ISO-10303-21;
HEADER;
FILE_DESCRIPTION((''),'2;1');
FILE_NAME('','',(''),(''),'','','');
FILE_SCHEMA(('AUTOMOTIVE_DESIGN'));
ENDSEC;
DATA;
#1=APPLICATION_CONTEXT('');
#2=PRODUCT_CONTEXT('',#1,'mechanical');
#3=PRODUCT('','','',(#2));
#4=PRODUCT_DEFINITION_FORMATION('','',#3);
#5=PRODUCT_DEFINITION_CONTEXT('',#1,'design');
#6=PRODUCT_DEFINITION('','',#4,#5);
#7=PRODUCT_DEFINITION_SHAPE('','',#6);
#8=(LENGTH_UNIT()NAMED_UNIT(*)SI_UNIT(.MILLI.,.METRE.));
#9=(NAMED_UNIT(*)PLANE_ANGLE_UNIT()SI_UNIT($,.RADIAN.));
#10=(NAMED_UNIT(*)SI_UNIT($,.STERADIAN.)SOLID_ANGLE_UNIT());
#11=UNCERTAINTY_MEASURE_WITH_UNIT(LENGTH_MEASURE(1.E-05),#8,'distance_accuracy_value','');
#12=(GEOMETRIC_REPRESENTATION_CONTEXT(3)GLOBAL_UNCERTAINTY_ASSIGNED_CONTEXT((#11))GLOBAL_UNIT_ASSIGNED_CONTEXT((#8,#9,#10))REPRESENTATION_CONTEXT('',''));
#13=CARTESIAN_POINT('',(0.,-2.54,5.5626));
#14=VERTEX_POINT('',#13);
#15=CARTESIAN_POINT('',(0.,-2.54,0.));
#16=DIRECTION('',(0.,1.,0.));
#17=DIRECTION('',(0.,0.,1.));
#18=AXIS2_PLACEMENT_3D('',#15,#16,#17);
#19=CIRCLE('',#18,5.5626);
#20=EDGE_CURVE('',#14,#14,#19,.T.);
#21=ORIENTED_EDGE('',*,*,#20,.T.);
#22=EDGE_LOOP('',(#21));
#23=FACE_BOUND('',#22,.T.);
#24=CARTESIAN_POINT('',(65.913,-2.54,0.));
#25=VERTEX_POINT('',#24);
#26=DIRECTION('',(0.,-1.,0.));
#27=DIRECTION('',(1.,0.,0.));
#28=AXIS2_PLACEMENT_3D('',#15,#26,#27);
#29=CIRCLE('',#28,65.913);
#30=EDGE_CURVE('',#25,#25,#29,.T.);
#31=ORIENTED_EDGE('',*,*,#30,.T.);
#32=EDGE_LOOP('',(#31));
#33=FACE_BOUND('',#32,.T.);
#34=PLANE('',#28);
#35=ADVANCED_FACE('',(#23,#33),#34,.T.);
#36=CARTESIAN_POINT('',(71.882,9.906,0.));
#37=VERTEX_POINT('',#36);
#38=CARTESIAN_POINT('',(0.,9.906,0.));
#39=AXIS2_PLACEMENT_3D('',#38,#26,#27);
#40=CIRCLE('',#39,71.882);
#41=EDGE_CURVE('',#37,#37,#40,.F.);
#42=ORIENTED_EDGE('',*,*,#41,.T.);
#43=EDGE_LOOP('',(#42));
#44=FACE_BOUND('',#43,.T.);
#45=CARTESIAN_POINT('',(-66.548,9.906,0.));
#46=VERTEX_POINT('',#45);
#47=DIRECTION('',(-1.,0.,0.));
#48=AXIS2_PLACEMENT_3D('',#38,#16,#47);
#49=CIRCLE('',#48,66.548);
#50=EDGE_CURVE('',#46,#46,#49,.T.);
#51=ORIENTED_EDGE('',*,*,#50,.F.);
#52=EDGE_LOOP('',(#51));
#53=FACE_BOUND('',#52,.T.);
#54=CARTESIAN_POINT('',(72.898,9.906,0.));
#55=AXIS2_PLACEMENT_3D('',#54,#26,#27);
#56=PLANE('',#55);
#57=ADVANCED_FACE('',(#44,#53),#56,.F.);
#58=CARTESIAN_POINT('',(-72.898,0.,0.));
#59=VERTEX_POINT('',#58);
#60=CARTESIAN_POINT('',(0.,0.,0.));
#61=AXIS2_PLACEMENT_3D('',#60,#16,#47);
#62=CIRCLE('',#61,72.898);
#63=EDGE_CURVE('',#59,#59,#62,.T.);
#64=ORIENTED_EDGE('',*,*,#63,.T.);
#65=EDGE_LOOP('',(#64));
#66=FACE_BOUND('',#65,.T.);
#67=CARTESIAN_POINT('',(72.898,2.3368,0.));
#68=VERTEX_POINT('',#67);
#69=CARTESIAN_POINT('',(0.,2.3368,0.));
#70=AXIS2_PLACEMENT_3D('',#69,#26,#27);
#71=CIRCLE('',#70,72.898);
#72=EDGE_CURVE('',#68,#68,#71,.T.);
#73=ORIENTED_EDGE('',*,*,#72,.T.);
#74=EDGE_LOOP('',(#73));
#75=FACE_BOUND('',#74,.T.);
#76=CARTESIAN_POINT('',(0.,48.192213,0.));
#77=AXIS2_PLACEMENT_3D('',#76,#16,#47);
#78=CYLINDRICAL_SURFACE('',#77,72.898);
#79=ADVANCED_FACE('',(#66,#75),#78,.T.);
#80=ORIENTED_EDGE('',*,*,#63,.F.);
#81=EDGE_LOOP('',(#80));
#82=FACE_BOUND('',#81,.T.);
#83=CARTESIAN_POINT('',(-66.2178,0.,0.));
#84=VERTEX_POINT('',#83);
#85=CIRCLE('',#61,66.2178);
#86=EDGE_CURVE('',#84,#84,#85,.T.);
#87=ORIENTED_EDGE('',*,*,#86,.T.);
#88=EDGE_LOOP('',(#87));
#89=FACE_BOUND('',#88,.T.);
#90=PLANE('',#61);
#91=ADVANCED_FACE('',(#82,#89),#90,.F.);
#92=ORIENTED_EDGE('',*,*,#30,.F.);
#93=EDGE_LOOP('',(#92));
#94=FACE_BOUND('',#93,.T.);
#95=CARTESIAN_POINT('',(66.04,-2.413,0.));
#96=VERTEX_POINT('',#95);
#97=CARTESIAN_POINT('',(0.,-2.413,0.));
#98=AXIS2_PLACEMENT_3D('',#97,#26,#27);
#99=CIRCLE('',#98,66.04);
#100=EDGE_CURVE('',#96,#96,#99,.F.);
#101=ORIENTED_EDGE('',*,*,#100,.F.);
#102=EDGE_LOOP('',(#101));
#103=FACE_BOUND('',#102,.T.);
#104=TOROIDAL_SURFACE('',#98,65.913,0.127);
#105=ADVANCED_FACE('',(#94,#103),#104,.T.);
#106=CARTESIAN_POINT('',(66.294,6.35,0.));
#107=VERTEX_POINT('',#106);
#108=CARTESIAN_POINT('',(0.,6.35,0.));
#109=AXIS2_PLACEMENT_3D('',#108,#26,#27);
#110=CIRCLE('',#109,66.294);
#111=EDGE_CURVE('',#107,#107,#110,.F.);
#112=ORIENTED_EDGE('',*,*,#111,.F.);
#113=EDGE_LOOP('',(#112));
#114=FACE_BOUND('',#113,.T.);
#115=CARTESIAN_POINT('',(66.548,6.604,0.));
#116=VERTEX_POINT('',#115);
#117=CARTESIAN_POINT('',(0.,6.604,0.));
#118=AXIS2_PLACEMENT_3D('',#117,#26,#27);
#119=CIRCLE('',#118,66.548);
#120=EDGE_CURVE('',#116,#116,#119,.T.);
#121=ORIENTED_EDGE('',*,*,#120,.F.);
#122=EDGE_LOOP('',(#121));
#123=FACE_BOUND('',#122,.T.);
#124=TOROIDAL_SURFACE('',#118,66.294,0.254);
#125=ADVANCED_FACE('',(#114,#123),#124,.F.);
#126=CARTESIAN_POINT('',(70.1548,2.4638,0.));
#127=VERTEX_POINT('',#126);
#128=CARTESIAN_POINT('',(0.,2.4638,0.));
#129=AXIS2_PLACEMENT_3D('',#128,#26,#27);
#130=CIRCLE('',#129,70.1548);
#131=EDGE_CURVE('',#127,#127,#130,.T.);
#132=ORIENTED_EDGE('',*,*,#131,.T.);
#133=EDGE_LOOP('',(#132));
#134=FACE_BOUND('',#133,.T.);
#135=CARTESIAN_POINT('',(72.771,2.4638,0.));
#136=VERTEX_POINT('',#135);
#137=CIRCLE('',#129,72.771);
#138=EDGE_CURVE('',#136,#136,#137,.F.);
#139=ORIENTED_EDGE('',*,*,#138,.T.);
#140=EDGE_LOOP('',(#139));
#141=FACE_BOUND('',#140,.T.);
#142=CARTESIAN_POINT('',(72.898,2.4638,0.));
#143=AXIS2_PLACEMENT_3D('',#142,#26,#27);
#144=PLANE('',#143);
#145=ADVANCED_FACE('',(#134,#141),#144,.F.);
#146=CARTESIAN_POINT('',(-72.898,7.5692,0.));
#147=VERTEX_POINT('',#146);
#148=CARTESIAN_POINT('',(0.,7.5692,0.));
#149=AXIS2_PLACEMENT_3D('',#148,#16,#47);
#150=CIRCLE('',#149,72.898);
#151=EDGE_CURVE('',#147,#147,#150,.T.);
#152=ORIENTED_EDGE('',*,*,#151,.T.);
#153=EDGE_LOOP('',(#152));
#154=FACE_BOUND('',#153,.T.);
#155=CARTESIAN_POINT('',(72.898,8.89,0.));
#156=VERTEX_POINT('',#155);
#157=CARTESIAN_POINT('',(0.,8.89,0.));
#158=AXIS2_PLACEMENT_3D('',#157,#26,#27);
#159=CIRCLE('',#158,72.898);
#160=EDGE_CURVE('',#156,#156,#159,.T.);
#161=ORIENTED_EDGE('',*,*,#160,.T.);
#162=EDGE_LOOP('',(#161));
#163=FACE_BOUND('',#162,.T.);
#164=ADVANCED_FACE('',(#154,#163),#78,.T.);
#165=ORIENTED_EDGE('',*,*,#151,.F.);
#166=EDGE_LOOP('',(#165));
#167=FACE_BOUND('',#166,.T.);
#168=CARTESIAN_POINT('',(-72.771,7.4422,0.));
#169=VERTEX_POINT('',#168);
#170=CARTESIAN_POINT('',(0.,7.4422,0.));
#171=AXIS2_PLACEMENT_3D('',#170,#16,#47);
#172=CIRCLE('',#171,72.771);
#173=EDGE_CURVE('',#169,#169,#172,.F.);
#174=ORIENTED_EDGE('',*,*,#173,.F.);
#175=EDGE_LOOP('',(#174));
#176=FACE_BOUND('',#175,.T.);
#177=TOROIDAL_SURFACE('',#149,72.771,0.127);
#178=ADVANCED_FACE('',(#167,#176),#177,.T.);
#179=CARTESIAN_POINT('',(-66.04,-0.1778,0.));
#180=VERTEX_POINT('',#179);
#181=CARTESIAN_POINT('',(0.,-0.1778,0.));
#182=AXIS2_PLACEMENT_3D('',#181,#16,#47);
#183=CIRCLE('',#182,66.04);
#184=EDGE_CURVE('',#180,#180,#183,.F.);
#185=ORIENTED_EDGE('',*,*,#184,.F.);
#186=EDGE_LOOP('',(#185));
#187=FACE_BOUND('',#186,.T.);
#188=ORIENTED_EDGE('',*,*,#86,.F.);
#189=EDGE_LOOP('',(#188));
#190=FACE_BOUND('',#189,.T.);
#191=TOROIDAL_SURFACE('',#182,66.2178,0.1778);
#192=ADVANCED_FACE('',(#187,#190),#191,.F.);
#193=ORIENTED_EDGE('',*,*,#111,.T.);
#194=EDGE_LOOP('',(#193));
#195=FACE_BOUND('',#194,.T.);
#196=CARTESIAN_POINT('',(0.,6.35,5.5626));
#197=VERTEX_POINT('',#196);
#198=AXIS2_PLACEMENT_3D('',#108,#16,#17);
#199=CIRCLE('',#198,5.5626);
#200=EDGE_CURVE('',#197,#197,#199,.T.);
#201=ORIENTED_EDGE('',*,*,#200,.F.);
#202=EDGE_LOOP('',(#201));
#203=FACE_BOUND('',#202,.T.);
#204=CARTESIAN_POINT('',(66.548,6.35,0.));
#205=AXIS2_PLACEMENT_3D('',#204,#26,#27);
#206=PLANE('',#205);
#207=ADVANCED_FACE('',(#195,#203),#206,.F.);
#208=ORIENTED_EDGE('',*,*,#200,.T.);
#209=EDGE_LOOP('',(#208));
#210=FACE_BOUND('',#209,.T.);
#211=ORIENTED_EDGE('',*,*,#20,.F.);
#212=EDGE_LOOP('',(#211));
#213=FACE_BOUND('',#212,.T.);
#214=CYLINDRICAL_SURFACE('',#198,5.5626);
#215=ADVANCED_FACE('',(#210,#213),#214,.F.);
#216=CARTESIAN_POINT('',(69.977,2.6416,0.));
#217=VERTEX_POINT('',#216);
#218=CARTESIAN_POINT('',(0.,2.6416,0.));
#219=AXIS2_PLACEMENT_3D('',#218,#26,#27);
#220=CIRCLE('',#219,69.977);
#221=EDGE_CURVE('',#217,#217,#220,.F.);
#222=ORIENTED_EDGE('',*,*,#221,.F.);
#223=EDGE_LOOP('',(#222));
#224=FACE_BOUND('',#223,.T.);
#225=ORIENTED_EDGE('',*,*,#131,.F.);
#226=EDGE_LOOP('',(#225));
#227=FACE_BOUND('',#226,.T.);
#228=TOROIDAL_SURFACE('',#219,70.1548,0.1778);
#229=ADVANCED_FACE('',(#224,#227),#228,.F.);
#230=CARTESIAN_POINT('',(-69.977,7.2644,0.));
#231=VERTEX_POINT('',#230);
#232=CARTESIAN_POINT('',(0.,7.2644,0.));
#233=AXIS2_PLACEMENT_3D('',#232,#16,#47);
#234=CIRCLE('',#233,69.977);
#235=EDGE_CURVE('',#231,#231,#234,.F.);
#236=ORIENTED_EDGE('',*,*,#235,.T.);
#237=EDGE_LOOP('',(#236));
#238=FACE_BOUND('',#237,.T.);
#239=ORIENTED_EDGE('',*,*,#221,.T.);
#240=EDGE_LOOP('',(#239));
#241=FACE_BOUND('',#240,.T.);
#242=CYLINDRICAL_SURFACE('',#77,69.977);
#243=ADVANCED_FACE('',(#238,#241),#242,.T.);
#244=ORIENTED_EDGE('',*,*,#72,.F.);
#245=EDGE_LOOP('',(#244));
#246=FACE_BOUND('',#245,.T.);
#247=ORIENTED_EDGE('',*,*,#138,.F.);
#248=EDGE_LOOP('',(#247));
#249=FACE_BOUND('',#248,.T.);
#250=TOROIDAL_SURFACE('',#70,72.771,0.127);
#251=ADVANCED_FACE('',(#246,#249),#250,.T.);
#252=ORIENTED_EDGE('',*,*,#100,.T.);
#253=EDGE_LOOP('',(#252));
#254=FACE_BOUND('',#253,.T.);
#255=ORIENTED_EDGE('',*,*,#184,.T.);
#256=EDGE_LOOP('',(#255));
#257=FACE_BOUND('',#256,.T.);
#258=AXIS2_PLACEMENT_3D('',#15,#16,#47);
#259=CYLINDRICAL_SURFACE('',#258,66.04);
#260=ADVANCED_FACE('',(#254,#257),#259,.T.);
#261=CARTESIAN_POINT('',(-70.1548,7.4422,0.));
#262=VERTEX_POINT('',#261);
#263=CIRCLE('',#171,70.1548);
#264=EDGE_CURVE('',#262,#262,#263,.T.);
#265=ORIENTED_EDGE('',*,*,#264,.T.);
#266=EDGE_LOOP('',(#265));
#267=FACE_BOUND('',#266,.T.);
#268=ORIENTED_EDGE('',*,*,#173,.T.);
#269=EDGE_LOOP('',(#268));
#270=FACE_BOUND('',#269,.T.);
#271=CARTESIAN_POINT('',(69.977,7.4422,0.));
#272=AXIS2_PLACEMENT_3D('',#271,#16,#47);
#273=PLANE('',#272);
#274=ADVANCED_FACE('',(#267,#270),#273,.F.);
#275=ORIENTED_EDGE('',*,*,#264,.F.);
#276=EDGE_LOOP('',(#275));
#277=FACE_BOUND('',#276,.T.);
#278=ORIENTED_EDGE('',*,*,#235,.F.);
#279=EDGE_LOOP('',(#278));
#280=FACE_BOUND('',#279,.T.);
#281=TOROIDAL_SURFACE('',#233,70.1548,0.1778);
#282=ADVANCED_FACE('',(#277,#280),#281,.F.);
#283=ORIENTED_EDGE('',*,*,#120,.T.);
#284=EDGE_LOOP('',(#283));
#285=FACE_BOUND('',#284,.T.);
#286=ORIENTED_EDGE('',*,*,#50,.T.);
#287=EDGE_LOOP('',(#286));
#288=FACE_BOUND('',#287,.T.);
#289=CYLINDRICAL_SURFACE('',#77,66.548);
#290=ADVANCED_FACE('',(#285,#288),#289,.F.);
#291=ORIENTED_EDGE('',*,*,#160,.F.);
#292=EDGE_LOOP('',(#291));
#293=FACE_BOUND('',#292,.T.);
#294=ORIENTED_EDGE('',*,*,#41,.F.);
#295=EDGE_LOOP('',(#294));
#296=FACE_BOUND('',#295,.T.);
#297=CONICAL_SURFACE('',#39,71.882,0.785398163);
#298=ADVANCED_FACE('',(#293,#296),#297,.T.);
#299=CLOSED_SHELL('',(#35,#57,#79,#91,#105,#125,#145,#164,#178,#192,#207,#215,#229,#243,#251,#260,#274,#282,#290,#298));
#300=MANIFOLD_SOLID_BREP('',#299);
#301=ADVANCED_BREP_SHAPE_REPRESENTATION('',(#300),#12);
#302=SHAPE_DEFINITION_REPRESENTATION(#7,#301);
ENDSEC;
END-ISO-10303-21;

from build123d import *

# Parameters (mm, degrees)
SKETCH6_R                        = 66.04
BOSS_EXTRUDE1_DEPTH              = 2.54
PIPE_TAP_DRILL_FOR_1_4_TAP_GN2_D = 11.1252
CNC_ID_FILLET_R                  = 0.1778
CNC_OD_FILLET_R                  = 0.127
CNC_CHAMFERS_SIZE                = 1.016
CNC_BORE_FILLET_R                = 0.254


with BuildPart() as part:
    # Sketch1 → Revolve1 (revolve)
    with BuildSketch(Plane.XY, mode=Mode.PRIVATE) as revolve1_sk:
        Polygon((0, 0), (72.898, 0), (72.898, 2.4638), (69.977, 2.4638), (69.977, 7.4422), (72.898, 7.4422), (72.898, 9.906), (66.548, 9.906), (66.548, 6.35), (0, 6.35), align=None)
    revolve(revolve1_sk.sketch.rotate(Axis((0, 48.192213231, 0), (0, -1, 0)), 180), axis=Axis((0, 48.192213231, 0), (0, -1, 0)))

    # Sketch6 → Boss-Extrude1 (add)
    with BuildSketch(Plane.XZ):
        Circle(SKETCH6_R)
    extrude(amount=BOSS_EXTRUDE1_DEPTH)

    # Pipe Tap Drill for 1/4 Tap - GN2 (through all)
    with Locations(Plane(origin=(0, 6.35, 0), x_dir=(1, 0, 0), z_dir=(0, 1, 0))):
        with Locations((0, 0)):
            Hole(PIPE_TAP_DRILL_FOR_1_4_TAP_GN2_D / 2)

    # CNC ID Fillet
    cnc_id_fillet_edges = [part.edges().sort_by_distance(p)[0] for p in [
        (69.977, 7.4422, 0),
        (69.977, 2.4638, 0),
        (-66.04, 0, 0),
    ]]
    fillet(cnc_id_fillet_edges, radius=CNC_ID_FILLET_R)

    # CNC OD Fillet
    cnc_od_fillet_edges = [part.edges().sort_by_distance(p)[0] for p in [
        (72.898, 2.4638, 0),
        (-66.04, -2.54, 0),
        (72.898, 7.4422, 0),
    ]]
    fillet(cnc_od_fillet_edges, radius=CNC_OD_FILLET_R)

    # CNC Chamfers
    cnc_chamfers_edges = [part.edges().sort_by_distance(p)[0] for p in [
        (72.898, 9.906, 0),
    ]]
    chamfer(cnc_chamfers_edges, length=CNC_CHAMFERS_SIZE)

    # CNC Bore Fillet
    cnc_bore_fillet_edges = [part.edges().sort_by_distance(p)[0] for p in [
        (66.548, 6.35, 0),
    ]]
    fillet(cnc_bore_fillet_edges, radius=CNC_BORE_FILLET_R)


solid = part.part
